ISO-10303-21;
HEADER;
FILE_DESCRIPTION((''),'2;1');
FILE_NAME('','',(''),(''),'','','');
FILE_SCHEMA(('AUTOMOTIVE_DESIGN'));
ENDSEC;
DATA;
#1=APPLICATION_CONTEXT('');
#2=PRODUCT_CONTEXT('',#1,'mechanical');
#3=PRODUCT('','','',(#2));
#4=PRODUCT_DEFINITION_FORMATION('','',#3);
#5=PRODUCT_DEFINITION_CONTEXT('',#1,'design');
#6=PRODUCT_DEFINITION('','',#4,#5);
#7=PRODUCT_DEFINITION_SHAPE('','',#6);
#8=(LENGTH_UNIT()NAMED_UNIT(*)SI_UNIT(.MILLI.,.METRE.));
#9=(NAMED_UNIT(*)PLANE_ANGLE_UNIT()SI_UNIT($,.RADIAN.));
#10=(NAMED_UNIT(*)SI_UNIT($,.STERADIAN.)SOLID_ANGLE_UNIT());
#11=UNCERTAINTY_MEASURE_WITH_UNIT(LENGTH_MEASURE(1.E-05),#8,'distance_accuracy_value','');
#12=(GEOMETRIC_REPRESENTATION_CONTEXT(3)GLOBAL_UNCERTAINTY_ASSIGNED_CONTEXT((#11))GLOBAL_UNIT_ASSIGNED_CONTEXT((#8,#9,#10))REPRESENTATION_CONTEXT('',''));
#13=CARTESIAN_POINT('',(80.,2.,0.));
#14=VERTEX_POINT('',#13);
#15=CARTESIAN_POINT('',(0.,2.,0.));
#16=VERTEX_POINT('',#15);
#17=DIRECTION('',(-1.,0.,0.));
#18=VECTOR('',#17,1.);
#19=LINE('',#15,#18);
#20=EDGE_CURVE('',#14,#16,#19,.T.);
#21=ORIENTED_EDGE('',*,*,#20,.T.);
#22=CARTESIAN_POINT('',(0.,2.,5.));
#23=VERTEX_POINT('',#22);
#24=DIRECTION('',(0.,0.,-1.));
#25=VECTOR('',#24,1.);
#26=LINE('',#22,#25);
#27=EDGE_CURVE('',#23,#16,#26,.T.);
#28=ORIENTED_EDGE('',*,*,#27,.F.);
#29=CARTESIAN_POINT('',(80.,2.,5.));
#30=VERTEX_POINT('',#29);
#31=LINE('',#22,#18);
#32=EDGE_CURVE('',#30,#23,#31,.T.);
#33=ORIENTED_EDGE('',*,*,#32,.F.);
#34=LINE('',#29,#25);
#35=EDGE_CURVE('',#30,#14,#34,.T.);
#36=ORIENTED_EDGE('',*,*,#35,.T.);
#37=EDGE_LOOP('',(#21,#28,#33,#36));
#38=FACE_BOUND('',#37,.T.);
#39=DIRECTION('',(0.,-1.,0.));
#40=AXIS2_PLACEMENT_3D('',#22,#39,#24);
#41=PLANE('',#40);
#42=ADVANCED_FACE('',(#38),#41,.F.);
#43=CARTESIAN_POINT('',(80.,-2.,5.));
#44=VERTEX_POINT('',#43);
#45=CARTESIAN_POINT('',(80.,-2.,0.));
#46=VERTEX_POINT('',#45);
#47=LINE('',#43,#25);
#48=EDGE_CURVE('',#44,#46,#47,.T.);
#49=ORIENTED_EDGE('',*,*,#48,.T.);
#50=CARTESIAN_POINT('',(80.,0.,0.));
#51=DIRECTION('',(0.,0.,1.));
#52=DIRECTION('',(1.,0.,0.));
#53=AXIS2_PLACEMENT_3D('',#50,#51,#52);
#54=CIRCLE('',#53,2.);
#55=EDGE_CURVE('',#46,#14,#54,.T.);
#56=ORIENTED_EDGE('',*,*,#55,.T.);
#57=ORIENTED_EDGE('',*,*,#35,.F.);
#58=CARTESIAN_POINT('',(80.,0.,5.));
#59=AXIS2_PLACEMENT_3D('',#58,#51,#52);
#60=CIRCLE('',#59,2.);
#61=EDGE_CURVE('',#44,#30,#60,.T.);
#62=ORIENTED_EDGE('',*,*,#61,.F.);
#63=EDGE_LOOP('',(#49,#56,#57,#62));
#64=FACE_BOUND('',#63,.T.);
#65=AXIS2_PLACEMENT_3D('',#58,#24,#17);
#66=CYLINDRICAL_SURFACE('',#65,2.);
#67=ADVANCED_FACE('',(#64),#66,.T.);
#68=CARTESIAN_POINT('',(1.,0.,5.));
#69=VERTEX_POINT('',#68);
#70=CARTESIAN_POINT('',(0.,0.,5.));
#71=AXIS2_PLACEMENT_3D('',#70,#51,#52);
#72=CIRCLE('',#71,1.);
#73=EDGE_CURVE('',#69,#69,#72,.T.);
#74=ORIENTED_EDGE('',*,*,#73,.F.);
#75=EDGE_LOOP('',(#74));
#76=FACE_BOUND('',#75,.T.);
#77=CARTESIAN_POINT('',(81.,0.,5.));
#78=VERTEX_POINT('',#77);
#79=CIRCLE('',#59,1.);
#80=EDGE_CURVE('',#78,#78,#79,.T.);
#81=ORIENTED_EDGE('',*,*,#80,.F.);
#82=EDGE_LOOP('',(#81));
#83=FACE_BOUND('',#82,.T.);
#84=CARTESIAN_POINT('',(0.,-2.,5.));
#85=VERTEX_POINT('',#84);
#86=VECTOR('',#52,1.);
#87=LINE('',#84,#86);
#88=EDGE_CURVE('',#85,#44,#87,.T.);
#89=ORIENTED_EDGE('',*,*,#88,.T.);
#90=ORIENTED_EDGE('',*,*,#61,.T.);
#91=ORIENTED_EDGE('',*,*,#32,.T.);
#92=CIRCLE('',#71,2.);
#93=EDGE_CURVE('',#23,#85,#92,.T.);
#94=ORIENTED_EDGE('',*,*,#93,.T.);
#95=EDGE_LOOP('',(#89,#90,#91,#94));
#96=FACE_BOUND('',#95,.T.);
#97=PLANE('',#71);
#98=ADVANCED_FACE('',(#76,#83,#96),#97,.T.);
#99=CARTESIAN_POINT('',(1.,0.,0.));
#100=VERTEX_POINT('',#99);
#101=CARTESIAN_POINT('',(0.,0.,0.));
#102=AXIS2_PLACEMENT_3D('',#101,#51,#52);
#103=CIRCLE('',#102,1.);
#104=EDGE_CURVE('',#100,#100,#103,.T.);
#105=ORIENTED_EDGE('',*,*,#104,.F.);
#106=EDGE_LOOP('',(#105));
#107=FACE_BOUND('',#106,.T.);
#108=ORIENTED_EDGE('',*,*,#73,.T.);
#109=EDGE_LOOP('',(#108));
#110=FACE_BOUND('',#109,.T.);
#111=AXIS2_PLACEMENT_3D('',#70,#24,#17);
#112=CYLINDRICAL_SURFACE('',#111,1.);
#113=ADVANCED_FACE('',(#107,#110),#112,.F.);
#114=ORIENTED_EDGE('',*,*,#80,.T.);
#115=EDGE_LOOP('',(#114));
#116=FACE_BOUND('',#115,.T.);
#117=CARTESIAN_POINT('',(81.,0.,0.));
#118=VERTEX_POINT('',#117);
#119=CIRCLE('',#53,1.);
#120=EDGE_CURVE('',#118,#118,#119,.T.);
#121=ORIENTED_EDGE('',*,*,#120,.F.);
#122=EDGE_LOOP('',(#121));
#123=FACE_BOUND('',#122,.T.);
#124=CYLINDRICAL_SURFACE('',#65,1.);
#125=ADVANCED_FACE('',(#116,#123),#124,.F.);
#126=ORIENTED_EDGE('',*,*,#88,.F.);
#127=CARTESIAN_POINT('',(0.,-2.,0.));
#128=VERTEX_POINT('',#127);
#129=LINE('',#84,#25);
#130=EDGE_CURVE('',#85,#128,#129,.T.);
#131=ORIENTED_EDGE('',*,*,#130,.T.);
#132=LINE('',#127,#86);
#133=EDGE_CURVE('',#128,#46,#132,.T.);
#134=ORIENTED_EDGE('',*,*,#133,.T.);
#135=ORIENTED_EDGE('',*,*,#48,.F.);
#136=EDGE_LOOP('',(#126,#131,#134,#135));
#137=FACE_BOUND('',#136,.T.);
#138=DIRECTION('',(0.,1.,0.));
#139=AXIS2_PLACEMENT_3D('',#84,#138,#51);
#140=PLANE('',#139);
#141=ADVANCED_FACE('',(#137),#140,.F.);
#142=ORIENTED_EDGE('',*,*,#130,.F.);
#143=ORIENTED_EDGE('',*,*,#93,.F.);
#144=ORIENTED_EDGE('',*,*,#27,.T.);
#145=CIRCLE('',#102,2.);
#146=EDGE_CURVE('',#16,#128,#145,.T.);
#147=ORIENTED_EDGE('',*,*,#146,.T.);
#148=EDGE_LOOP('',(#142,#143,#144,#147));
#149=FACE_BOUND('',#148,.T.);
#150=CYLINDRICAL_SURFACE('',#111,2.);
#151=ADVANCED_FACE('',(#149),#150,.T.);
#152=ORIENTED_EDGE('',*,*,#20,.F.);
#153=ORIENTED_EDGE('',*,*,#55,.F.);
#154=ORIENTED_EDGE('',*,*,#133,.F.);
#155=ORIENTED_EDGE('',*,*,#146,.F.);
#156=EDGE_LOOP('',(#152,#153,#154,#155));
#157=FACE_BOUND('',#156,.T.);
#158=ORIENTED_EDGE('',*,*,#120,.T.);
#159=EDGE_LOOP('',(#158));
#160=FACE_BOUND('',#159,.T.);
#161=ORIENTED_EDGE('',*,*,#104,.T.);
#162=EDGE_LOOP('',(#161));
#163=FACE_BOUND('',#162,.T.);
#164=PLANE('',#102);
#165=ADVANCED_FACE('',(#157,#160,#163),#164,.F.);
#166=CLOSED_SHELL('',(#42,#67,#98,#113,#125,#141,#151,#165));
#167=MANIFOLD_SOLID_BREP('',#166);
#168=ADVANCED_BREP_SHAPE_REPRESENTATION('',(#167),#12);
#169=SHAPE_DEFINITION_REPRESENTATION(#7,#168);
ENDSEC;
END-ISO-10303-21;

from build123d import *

# Parameters (mm, degrees)
SKETCH_2_R      = 2
SKETCH_2_R_2    = 1
EXTRUDE_1_DEPTH = 5


with BuildPart() as part:
    # 草图2 → 凸台-拉伸1 (new body)
    # profile 1 of 3: a face of its own
    with BuildSketch(Plane.XY):
        Circle(SKETCH_2_R)
        Circle(SKETCH_2_R_2, mode=Mode.SUBTRACT)
    # profile 2 of 3: a face of its own
    with BuildSketch(Plane.XY):
        with BuildLine():
            ThreePointArc((2, 0), (1.414213562, -1.414213562), (0, -2))
            Line((0, -2), (80, -2))
            ThreePointArc((80, -2), (78, 0), (80, 2))
            Line((80, 2), (0, 2))
            ThreePointArc((0, 2), (1.414213562, 1.414213562), (2, 0))
        make_face()
    # profile 3 of 3: a face of its own
    with BuildSketch(Plane.XY):
        with Locations((80, 0)):
            Circle(SKETCH_2_R)
        with Locations((80, 0)):
            Circle(SKETCH_2_R_2, mode=Mode.SUBTRACT)
    extrude(amount=EXTRUDE_1_DEPTH)


solid = part.part
